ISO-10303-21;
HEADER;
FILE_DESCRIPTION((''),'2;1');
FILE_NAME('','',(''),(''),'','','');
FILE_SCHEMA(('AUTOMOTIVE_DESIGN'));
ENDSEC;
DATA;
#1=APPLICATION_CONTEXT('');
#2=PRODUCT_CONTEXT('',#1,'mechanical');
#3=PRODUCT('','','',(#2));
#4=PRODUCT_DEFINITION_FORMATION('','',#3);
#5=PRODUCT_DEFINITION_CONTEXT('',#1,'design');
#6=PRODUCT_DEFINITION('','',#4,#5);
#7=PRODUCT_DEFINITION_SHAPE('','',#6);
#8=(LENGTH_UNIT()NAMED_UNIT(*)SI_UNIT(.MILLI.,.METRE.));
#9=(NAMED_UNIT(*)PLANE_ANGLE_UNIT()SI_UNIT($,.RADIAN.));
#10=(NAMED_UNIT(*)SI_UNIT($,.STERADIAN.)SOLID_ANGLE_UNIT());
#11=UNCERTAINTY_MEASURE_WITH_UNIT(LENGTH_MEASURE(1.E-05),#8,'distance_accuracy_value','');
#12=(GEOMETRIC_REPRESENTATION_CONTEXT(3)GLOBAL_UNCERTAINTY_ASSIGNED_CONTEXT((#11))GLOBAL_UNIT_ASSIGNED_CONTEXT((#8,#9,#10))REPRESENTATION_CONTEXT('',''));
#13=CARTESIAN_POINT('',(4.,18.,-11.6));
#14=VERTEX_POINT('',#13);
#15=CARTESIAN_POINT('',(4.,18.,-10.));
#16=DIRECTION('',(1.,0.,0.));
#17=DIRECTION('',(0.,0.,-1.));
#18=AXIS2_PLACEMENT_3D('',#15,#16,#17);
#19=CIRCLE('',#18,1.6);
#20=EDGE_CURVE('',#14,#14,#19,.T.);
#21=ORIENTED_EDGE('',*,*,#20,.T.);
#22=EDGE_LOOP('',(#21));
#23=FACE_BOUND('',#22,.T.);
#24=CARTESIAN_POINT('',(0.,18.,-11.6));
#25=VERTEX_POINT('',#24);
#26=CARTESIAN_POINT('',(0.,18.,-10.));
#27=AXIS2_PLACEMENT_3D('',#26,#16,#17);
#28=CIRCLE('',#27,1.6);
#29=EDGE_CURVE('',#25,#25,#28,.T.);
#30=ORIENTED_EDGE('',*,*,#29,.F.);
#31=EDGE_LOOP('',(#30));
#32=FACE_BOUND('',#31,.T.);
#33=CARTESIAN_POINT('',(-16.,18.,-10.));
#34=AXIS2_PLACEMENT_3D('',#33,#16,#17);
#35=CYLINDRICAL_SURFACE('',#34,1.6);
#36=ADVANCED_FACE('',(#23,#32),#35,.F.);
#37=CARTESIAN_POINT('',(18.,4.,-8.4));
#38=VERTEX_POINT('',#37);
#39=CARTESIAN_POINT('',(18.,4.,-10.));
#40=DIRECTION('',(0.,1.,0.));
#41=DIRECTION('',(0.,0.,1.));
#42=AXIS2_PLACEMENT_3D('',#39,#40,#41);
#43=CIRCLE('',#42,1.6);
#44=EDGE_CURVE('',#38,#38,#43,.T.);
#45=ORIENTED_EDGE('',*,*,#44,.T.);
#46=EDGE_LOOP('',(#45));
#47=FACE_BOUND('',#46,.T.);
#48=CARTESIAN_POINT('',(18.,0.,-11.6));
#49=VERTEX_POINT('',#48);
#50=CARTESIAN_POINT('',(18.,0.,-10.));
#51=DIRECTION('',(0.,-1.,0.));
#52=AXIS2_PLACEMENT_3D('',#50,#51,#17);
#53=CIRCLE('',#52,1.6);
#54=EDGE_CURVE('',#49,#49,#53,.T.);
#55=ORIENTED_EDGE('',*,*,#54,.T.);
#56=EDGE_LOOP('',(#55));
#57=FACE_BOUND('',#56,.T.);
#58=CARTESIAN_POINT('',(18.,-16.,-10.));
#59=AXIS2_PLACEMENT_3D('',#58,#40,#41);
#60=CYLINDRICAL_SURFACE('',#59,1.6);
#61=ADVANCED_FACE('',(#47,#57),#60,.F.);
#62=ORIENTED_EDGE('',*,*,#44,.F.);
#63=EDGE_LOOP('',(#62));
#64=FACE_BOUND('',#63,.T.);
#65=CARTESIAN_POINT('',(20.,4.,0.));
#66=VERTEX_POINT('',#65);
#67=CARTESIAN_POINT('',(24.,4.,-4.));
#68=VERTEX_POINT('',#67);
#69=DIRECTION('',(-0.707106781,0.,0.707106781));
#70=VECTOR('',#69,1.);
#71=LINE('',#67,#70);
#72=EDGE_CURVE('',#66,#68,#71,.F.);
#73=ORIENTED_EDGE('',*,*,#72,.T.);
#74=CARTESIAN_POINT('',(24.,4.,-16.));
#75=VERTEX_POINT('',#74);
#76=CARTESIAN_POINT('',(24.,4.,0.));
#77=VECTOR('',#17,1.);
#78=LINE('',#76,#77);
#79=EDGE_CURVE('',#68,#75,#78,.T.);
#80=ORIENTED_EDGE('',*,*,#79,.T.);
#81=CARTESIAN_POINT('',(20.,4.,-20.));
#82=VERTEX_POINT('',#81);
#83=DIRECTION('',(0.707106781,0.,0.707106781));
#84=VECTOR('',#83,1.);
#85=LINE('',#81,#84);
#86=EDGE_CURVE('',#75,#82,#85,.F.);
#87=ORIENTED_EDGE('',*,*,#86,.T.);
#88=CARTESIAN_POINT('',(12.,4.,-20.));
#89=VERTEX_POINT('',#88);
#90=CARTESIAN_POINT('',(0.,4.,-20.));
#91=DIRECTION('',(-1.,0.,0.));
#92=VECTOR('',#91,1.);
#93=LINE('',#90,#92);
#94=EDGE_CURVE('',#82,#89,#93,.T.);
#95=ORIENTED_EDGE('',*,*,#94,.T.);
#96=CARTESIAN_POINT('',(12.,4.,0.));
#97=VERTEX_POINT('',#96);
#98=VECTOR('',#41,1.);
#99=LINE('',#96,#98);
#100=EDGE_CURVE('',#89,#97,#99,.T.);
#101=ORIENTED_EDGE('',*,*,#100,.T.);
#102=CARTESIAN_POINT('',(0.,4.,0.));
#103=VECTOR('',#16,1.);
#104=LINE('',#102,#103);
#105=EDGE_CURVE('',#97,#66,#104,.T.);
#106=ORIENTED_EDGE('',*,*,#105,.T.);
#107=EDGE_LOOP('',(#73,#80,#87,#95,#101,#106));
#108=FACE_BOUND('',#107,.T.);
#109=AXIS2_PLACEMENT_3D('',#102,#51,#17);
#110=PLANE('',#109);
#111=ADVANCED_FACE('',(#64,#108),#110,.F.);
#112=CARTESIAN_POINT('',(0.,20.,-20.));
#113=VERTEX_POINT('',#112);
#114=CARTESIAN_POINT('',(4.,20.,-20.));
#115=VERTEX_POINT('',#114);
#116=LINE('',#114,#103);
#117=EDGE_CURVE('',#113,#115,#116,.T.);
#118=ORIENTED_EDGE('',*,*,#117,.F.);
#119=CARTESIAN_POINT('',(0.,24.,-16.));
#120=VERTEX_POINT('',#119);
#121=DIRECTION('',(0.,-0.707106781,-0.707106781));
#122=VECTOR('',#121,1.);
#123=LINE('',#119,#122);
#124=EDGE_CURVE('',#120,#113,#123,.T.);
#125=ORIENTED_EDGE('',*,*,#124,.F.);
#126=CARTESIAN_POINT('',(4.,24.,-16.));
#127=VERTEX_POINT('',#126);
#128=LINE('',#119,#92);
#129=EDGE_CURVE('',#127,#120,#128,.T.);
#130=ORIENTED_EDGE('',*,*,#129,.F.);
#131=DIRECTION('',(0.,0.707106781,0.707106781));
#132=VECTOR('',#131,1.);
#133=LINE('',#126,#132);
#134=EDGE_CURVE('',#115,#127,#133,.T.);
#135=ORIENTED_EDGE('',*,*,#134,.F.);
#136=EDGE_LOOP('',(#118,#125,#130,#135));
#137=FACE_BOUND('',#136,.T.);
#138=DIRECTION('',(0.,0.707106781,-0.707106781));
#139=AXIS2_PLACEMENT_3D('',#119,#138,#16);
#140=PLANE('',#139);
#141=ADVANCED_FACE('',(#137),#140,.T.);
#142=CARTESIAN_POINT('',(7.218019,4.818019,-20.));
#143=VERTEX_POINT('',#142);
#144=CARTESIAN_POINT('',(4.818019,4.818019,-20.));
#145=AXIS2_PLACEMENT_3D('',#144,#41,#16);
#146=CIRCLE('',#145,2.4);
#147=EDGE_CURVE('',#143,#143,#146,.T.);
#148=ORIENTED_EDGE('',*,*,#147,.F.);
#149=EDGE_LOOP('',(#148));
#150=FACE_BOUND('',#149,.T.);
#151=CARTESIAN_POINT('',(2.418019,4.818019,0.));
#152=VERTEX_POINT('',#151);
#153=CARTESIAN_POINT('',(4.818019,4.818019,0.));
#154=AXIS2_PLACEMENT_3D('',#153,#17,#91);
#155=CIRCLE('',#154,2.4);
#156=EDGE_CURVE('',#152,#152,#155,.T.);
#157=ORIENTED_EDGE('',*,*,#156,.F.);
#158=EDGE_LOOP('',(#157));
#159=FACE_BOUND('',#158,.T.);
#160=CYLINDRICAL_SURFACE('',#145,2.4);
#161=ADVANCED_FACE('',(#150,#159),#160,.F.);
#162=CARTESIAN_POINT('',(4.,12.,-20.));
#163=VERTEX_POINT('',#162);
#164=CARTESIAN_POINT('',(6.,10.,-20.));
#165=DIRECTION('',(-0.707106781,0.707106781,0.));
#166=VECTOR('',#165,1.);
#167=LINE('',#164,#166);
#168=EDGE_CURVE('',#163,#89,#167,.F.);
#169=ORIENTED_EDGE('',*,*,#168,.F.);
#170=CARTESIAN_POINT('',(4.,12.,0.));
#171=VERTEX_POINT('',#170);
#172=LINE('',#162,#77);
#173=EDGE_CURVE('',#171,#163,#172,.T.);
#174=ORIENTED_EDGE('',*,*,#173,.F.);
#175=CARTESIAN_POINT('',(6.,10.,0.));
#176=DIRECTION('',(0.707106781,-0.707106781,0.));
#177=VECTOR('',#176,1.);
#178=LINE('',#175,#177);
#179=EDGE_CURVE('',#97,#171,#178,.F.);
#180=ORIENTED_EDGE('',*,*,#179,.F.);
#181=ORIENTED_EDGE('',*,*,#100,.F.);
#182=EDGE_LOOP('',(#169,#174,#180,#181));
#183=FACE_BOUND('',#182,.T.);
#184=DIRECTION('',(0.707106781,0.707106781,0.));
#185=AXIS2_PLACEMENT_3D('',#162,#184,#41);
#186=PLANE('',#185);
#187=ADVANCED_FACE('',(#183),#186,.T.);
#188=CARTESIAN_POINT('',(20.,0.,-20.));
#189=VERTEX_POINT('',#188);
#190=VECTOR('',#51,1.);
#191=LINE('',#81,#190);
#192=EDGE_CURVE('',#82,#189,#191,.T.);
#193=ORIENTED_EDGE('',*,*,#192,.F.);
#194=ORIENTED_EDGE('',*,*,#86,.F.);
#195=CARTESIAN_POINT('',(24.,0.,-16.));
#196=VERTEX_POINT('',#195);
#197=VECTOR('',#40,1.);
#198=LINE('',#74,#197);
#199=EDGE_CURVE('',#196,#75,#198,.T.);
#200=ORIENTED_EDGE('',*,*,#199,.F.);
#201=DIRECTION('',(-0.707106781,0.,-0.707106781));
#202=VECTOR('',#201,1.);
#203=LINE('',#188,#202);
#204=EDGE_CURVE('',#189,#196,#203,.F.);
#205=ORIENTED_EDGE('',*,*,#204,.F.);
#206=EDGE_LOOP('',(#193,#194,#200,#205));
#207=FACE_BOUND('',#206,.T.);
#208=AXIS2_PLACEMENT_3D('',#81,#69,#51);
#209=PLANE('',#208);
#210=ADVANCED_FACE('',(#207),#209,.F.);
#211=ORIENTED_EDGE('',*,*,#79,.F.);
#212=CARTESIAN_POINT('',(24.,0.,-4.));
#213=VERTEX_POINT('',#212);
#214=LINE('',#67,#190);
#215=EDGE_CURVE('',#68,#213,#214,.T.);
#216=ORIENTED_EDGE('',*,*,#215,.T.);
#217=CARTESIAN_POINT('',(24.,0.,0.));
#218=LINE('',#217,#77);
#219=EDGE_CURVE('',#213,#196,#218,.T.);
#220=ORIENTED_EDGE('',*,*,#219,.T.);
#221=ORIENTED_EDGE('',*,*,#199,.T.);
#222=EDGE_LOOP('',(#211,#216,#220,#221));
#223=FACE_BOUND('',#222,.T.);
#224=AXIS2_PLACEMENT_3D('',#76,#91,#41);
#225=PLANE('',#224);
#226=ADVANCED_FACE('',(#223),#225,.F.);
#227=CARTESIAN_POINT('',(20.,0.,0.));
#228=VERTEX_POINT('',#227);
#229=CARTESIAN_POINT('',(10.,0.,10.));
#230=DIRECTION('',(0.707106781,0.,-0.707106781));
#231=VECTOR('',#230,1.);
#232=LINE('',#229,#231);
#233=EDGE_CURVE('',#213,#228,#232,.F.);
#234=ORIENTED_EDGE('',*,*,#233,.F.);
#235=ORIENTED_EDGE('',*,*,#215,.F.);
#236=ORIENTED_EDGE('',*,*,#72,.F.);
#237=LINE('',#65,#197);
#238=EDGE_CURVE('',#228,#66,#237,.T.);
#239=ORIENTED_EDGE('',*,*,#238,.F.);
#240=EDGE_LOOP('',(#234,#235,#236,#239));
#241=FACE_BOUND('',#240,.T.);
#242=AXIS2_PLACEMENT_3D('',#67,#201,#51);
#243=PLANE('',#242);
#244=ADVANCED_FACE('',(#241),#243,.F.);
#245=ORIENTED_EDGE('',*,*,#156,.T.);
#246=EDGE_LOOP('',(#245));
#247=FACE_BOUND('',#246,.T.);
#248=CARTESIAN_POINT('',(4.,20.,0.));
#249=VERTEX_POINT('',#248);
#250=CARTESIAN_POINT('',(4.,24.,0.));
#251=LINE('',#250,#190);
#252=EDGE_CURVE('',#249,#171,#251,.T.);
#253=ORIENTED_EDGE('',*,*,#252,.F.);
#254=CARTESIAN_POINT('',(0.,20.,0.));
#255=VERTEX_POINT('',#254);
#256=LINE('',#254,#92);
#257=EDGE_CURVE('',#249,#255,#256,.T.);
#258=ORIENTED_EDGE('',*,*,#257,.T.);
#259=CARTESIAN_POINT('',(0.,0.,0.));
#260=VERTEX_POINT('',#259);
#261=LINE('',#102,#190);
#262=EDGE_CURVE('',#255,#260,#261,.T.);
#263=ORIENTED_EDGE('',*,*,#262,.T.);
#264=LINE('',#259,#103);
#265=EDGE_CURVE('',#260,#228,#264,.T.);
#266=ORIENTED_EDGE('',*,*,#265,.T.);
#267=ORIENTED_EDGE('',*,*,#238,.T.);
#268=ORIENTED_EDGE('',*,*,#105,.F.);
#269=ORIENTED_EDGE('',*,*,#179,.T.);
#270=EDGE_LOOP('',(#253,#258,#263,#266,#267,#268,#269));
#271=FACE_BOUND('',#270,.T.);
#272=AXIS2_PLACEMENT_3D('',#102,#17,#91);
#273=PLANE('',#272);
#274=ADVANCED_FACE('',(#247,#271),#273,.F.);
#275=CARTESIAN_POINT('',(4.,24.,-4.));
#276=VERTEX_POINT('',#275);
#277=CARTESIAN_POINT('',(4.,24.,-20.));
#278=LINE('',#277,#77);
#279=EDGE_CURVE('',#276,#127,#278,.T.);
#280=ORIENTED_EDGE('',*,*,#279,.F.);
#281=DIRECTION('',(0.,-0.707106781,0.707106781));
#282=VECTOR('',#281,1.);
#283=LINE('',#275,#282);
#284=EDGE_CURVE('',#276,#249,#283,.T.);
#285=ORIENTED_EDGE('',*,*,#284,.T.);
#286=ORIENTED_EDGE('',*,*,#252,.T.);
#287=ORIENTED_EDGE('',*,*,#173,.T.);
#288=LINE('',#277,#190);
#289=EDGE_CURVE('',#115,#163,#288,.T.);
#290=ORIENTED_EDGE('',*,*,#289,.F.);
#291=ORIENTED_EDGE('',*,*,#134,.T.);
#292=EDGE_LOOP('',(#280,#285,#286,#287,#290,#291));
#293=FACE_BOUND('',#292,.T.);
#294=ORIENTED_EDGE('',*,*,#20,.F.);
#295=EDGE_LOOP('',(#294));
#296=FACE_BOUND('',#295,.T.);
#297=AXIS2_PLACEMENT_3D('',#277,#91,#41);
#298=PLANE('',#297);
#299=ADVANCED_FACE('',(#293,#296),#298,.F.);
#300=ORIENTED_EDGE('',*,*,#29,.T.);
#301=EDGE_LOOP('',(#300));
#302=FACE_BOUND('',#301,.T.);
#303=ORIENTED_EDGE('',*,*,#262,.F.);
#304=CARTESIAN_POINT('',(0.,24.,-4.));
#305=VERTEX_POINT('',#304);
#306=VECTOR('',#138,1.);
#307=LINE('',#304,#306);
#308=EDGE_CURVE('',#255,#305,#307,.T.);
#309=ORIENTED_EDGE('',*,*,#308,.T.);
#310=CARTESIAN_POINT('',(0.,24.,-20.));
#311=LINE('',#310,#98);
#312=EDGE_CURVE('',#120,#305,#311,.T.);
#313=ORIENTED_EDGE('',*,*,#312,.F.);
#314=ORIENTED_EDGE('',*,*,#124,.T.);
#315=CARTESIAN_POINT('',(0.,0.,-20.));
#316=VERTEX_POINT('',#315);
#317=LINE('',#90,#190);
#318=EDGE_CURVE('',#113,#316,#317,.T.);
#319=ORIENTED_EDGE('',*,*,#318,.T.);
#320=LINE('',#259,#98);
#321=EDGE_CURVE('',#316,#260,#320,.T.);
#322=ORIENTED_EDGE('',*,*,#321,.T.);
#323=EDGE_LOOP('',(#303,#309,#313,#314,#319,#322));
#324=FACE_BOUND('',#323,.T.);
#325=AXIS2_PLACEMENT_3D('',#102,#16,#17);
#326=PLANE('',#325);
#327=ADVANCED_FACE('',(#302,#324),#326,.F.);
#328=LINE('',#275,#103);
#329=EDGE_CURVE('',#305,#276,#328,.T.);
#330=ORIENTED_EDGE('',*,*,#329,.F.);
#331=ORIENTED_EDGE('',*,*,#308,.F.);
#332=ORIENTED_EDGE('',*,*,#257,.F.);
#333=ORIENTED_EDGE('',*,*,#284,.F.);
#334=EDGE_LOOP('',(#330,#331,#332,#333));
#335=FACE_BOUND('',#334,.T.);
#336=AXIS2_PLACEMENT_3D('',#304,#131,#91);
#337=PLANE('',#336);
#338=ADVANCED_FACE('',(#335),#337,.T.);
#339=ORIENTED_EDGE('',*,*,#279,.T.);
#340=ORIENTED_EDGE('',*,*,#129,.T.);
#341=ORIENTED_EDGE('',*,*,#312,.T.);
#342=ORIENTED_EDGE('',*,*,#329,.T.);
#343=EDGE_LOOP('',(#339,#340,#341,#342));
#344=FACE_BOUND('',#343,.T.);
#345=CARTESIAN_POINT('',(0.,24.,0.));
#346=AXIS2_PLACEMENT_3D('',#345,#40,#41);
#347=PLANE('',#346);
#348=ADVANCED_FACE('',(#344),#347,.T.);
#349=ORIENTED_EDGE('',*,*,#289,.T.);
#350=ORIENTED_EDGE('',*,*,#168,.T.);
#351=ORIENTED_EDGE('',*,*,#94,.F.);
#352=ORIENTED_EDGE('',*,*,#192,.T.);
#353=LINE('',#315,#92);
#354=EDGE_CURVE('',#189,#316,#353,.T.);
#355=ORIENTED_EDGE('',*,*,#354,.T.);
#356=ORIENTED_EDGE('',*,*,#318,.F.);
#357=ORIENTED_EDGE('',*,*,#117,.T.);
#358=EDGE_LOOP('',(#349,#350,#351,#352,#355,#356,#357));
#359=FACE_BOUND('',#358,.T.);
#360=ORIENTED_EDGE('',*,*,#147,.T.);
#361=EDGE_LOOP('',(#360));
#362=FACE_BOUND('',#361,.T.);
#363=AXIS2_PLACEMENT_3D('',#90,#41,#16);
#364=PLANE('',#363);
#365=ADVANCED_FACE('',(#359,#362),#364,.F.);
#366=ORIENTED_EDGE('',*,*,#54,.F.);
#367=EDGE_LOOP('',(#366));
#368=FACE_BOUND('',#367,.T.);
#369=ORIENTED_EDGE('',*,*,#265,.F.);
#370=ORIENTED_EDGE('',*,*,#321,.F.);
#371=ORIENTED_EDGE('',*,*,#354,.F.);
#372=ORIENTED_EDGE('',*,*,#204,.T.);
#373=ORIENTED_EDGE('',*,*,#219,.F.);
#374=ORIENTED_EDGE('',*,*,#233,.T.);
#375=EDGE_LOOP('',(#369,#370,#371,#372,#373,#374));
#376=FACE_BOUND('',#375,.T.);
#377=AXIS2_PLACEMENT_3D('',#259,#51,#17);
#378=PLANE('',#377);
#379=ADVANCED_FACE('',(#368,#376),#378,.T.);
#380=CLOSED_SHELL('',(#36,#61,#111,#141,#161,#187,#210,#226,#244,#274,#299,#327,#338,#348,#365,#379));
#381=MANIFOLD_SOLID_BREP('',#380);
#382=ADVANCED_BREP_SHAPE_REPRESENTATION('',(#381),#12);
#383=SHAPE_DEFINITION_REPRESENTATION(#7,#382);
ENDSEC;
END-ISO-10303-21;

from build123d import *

# Parameters (mm, degrees)
SKETCH1_W               = 24
SKETCH1_H               = 20
BOSS_EXTRUDE1_DEPTH     = 4
SKETCH2_W               = 4
SKETCH2_H               = 20
BOSS_EXTRUDE2_DEPTH     = 20
CHAMFER1_SIZE           = 8
SKETCH3_R               = 1.6
CUT_EXTRUDE1_DEPTH      = 20
SKETCH4_R               = 1.6
CUT_EXTRUDE2_DEPTH      = 20
CHAMFER2_SIZE           = 4
CUT_EXTRUDE3_DEPTH      = 40.395431207
CUT_EXTRUDE3_DEPTH_BACK = 40.395431207
SKETCH5_R               = 2.4


with BuildPart() as part:
    # Sketch1 → Boss-Extrude1 (new body)
    with BuildSketch(Plane(origin=(0, 0, 0), x_dir=(1, 0, 0), z_dir=(0, 1, 0))):
        with Locations((12, 10)):
            Rectangle(SKETCH1_W, SKETCH1_H)
    extrude(amount=BOSS_EXTRUDE1_DEPTH)

    # Sketch2 → Boss-Extrude2 (add)
    with BuildSketch(Plane(origin=(0, 4, 0), x_dir=(1, 0, 0), z_dir=(0, 1, 0))):
        with Locations((2, 10)):
            Rectangle(SKETCH2_W, SKETCH2_H)
    extrude(amount=BOSS_EXTRUDE2_DEPTH)

    # Chamfer1
    chamfer1_edges = [part.edges().sort_by_distance(p)[0] for p in [
        (4, 4, -10),
    ]]
    chamfer(chamfer1_edges, length=CHAMFER1_SIZE)

    # Sketch3 → Cut-Extrude1 (cut)
    with BuildSketch(Plane(origin=(0, 4, 0), x_dir=(1, 0, 0), z_dir=(0, 1, 0))):
        with Locations(Location((18, 10, 0), (0, 0, 270))):
            Circle(SKETCH3_R)
    extrude(amount=-CUT_EXTRUDE1_DEPTH, mode=Mode.SUBTRACT)

    # Sketch4 → Cut-Extrude2 (cut)
    with BuildSketch(Plane(origin=(4, 0, 0), x_dir=(0, 0, -1), z_dir=(1, 0, 0))):
        with Locations((10, 18)):
            Circle(SKETCH4_R)
    extrude(amount=-CUT_EXTRUDE2_DEPTH, mode=Mode.SUBTRACT)

    # Chamfer2
    chamfer2_edges = [part.edges().sort_by_distance(p)[0] for p in [
        (2, 24, 0),
        (2, 24, -20),
        (24, 2, -20),
        (24, 2, 0),
    ]]
    chamfer(chamfer2_edges, length=CHAMFER2_SIZE)

    # Sketch5 → Cut-Extrude3 (cut, two sides: drawn at the far end of the back side and taken through both)
    with BuildSketch(Plane.XY.offset(-CUT_EXTRUDE3_DEPTH_BACK)):
        with Locations((4.818019485, 4.818019485)):
            Circle(SKETCH5_R)
    extrude(amount=CUT_EXTRUDE3_DEPTH + CUT_EXTRUDE3_DEPTH_BACK, mode=Mode.SUBTRACT)


solid = part.part
